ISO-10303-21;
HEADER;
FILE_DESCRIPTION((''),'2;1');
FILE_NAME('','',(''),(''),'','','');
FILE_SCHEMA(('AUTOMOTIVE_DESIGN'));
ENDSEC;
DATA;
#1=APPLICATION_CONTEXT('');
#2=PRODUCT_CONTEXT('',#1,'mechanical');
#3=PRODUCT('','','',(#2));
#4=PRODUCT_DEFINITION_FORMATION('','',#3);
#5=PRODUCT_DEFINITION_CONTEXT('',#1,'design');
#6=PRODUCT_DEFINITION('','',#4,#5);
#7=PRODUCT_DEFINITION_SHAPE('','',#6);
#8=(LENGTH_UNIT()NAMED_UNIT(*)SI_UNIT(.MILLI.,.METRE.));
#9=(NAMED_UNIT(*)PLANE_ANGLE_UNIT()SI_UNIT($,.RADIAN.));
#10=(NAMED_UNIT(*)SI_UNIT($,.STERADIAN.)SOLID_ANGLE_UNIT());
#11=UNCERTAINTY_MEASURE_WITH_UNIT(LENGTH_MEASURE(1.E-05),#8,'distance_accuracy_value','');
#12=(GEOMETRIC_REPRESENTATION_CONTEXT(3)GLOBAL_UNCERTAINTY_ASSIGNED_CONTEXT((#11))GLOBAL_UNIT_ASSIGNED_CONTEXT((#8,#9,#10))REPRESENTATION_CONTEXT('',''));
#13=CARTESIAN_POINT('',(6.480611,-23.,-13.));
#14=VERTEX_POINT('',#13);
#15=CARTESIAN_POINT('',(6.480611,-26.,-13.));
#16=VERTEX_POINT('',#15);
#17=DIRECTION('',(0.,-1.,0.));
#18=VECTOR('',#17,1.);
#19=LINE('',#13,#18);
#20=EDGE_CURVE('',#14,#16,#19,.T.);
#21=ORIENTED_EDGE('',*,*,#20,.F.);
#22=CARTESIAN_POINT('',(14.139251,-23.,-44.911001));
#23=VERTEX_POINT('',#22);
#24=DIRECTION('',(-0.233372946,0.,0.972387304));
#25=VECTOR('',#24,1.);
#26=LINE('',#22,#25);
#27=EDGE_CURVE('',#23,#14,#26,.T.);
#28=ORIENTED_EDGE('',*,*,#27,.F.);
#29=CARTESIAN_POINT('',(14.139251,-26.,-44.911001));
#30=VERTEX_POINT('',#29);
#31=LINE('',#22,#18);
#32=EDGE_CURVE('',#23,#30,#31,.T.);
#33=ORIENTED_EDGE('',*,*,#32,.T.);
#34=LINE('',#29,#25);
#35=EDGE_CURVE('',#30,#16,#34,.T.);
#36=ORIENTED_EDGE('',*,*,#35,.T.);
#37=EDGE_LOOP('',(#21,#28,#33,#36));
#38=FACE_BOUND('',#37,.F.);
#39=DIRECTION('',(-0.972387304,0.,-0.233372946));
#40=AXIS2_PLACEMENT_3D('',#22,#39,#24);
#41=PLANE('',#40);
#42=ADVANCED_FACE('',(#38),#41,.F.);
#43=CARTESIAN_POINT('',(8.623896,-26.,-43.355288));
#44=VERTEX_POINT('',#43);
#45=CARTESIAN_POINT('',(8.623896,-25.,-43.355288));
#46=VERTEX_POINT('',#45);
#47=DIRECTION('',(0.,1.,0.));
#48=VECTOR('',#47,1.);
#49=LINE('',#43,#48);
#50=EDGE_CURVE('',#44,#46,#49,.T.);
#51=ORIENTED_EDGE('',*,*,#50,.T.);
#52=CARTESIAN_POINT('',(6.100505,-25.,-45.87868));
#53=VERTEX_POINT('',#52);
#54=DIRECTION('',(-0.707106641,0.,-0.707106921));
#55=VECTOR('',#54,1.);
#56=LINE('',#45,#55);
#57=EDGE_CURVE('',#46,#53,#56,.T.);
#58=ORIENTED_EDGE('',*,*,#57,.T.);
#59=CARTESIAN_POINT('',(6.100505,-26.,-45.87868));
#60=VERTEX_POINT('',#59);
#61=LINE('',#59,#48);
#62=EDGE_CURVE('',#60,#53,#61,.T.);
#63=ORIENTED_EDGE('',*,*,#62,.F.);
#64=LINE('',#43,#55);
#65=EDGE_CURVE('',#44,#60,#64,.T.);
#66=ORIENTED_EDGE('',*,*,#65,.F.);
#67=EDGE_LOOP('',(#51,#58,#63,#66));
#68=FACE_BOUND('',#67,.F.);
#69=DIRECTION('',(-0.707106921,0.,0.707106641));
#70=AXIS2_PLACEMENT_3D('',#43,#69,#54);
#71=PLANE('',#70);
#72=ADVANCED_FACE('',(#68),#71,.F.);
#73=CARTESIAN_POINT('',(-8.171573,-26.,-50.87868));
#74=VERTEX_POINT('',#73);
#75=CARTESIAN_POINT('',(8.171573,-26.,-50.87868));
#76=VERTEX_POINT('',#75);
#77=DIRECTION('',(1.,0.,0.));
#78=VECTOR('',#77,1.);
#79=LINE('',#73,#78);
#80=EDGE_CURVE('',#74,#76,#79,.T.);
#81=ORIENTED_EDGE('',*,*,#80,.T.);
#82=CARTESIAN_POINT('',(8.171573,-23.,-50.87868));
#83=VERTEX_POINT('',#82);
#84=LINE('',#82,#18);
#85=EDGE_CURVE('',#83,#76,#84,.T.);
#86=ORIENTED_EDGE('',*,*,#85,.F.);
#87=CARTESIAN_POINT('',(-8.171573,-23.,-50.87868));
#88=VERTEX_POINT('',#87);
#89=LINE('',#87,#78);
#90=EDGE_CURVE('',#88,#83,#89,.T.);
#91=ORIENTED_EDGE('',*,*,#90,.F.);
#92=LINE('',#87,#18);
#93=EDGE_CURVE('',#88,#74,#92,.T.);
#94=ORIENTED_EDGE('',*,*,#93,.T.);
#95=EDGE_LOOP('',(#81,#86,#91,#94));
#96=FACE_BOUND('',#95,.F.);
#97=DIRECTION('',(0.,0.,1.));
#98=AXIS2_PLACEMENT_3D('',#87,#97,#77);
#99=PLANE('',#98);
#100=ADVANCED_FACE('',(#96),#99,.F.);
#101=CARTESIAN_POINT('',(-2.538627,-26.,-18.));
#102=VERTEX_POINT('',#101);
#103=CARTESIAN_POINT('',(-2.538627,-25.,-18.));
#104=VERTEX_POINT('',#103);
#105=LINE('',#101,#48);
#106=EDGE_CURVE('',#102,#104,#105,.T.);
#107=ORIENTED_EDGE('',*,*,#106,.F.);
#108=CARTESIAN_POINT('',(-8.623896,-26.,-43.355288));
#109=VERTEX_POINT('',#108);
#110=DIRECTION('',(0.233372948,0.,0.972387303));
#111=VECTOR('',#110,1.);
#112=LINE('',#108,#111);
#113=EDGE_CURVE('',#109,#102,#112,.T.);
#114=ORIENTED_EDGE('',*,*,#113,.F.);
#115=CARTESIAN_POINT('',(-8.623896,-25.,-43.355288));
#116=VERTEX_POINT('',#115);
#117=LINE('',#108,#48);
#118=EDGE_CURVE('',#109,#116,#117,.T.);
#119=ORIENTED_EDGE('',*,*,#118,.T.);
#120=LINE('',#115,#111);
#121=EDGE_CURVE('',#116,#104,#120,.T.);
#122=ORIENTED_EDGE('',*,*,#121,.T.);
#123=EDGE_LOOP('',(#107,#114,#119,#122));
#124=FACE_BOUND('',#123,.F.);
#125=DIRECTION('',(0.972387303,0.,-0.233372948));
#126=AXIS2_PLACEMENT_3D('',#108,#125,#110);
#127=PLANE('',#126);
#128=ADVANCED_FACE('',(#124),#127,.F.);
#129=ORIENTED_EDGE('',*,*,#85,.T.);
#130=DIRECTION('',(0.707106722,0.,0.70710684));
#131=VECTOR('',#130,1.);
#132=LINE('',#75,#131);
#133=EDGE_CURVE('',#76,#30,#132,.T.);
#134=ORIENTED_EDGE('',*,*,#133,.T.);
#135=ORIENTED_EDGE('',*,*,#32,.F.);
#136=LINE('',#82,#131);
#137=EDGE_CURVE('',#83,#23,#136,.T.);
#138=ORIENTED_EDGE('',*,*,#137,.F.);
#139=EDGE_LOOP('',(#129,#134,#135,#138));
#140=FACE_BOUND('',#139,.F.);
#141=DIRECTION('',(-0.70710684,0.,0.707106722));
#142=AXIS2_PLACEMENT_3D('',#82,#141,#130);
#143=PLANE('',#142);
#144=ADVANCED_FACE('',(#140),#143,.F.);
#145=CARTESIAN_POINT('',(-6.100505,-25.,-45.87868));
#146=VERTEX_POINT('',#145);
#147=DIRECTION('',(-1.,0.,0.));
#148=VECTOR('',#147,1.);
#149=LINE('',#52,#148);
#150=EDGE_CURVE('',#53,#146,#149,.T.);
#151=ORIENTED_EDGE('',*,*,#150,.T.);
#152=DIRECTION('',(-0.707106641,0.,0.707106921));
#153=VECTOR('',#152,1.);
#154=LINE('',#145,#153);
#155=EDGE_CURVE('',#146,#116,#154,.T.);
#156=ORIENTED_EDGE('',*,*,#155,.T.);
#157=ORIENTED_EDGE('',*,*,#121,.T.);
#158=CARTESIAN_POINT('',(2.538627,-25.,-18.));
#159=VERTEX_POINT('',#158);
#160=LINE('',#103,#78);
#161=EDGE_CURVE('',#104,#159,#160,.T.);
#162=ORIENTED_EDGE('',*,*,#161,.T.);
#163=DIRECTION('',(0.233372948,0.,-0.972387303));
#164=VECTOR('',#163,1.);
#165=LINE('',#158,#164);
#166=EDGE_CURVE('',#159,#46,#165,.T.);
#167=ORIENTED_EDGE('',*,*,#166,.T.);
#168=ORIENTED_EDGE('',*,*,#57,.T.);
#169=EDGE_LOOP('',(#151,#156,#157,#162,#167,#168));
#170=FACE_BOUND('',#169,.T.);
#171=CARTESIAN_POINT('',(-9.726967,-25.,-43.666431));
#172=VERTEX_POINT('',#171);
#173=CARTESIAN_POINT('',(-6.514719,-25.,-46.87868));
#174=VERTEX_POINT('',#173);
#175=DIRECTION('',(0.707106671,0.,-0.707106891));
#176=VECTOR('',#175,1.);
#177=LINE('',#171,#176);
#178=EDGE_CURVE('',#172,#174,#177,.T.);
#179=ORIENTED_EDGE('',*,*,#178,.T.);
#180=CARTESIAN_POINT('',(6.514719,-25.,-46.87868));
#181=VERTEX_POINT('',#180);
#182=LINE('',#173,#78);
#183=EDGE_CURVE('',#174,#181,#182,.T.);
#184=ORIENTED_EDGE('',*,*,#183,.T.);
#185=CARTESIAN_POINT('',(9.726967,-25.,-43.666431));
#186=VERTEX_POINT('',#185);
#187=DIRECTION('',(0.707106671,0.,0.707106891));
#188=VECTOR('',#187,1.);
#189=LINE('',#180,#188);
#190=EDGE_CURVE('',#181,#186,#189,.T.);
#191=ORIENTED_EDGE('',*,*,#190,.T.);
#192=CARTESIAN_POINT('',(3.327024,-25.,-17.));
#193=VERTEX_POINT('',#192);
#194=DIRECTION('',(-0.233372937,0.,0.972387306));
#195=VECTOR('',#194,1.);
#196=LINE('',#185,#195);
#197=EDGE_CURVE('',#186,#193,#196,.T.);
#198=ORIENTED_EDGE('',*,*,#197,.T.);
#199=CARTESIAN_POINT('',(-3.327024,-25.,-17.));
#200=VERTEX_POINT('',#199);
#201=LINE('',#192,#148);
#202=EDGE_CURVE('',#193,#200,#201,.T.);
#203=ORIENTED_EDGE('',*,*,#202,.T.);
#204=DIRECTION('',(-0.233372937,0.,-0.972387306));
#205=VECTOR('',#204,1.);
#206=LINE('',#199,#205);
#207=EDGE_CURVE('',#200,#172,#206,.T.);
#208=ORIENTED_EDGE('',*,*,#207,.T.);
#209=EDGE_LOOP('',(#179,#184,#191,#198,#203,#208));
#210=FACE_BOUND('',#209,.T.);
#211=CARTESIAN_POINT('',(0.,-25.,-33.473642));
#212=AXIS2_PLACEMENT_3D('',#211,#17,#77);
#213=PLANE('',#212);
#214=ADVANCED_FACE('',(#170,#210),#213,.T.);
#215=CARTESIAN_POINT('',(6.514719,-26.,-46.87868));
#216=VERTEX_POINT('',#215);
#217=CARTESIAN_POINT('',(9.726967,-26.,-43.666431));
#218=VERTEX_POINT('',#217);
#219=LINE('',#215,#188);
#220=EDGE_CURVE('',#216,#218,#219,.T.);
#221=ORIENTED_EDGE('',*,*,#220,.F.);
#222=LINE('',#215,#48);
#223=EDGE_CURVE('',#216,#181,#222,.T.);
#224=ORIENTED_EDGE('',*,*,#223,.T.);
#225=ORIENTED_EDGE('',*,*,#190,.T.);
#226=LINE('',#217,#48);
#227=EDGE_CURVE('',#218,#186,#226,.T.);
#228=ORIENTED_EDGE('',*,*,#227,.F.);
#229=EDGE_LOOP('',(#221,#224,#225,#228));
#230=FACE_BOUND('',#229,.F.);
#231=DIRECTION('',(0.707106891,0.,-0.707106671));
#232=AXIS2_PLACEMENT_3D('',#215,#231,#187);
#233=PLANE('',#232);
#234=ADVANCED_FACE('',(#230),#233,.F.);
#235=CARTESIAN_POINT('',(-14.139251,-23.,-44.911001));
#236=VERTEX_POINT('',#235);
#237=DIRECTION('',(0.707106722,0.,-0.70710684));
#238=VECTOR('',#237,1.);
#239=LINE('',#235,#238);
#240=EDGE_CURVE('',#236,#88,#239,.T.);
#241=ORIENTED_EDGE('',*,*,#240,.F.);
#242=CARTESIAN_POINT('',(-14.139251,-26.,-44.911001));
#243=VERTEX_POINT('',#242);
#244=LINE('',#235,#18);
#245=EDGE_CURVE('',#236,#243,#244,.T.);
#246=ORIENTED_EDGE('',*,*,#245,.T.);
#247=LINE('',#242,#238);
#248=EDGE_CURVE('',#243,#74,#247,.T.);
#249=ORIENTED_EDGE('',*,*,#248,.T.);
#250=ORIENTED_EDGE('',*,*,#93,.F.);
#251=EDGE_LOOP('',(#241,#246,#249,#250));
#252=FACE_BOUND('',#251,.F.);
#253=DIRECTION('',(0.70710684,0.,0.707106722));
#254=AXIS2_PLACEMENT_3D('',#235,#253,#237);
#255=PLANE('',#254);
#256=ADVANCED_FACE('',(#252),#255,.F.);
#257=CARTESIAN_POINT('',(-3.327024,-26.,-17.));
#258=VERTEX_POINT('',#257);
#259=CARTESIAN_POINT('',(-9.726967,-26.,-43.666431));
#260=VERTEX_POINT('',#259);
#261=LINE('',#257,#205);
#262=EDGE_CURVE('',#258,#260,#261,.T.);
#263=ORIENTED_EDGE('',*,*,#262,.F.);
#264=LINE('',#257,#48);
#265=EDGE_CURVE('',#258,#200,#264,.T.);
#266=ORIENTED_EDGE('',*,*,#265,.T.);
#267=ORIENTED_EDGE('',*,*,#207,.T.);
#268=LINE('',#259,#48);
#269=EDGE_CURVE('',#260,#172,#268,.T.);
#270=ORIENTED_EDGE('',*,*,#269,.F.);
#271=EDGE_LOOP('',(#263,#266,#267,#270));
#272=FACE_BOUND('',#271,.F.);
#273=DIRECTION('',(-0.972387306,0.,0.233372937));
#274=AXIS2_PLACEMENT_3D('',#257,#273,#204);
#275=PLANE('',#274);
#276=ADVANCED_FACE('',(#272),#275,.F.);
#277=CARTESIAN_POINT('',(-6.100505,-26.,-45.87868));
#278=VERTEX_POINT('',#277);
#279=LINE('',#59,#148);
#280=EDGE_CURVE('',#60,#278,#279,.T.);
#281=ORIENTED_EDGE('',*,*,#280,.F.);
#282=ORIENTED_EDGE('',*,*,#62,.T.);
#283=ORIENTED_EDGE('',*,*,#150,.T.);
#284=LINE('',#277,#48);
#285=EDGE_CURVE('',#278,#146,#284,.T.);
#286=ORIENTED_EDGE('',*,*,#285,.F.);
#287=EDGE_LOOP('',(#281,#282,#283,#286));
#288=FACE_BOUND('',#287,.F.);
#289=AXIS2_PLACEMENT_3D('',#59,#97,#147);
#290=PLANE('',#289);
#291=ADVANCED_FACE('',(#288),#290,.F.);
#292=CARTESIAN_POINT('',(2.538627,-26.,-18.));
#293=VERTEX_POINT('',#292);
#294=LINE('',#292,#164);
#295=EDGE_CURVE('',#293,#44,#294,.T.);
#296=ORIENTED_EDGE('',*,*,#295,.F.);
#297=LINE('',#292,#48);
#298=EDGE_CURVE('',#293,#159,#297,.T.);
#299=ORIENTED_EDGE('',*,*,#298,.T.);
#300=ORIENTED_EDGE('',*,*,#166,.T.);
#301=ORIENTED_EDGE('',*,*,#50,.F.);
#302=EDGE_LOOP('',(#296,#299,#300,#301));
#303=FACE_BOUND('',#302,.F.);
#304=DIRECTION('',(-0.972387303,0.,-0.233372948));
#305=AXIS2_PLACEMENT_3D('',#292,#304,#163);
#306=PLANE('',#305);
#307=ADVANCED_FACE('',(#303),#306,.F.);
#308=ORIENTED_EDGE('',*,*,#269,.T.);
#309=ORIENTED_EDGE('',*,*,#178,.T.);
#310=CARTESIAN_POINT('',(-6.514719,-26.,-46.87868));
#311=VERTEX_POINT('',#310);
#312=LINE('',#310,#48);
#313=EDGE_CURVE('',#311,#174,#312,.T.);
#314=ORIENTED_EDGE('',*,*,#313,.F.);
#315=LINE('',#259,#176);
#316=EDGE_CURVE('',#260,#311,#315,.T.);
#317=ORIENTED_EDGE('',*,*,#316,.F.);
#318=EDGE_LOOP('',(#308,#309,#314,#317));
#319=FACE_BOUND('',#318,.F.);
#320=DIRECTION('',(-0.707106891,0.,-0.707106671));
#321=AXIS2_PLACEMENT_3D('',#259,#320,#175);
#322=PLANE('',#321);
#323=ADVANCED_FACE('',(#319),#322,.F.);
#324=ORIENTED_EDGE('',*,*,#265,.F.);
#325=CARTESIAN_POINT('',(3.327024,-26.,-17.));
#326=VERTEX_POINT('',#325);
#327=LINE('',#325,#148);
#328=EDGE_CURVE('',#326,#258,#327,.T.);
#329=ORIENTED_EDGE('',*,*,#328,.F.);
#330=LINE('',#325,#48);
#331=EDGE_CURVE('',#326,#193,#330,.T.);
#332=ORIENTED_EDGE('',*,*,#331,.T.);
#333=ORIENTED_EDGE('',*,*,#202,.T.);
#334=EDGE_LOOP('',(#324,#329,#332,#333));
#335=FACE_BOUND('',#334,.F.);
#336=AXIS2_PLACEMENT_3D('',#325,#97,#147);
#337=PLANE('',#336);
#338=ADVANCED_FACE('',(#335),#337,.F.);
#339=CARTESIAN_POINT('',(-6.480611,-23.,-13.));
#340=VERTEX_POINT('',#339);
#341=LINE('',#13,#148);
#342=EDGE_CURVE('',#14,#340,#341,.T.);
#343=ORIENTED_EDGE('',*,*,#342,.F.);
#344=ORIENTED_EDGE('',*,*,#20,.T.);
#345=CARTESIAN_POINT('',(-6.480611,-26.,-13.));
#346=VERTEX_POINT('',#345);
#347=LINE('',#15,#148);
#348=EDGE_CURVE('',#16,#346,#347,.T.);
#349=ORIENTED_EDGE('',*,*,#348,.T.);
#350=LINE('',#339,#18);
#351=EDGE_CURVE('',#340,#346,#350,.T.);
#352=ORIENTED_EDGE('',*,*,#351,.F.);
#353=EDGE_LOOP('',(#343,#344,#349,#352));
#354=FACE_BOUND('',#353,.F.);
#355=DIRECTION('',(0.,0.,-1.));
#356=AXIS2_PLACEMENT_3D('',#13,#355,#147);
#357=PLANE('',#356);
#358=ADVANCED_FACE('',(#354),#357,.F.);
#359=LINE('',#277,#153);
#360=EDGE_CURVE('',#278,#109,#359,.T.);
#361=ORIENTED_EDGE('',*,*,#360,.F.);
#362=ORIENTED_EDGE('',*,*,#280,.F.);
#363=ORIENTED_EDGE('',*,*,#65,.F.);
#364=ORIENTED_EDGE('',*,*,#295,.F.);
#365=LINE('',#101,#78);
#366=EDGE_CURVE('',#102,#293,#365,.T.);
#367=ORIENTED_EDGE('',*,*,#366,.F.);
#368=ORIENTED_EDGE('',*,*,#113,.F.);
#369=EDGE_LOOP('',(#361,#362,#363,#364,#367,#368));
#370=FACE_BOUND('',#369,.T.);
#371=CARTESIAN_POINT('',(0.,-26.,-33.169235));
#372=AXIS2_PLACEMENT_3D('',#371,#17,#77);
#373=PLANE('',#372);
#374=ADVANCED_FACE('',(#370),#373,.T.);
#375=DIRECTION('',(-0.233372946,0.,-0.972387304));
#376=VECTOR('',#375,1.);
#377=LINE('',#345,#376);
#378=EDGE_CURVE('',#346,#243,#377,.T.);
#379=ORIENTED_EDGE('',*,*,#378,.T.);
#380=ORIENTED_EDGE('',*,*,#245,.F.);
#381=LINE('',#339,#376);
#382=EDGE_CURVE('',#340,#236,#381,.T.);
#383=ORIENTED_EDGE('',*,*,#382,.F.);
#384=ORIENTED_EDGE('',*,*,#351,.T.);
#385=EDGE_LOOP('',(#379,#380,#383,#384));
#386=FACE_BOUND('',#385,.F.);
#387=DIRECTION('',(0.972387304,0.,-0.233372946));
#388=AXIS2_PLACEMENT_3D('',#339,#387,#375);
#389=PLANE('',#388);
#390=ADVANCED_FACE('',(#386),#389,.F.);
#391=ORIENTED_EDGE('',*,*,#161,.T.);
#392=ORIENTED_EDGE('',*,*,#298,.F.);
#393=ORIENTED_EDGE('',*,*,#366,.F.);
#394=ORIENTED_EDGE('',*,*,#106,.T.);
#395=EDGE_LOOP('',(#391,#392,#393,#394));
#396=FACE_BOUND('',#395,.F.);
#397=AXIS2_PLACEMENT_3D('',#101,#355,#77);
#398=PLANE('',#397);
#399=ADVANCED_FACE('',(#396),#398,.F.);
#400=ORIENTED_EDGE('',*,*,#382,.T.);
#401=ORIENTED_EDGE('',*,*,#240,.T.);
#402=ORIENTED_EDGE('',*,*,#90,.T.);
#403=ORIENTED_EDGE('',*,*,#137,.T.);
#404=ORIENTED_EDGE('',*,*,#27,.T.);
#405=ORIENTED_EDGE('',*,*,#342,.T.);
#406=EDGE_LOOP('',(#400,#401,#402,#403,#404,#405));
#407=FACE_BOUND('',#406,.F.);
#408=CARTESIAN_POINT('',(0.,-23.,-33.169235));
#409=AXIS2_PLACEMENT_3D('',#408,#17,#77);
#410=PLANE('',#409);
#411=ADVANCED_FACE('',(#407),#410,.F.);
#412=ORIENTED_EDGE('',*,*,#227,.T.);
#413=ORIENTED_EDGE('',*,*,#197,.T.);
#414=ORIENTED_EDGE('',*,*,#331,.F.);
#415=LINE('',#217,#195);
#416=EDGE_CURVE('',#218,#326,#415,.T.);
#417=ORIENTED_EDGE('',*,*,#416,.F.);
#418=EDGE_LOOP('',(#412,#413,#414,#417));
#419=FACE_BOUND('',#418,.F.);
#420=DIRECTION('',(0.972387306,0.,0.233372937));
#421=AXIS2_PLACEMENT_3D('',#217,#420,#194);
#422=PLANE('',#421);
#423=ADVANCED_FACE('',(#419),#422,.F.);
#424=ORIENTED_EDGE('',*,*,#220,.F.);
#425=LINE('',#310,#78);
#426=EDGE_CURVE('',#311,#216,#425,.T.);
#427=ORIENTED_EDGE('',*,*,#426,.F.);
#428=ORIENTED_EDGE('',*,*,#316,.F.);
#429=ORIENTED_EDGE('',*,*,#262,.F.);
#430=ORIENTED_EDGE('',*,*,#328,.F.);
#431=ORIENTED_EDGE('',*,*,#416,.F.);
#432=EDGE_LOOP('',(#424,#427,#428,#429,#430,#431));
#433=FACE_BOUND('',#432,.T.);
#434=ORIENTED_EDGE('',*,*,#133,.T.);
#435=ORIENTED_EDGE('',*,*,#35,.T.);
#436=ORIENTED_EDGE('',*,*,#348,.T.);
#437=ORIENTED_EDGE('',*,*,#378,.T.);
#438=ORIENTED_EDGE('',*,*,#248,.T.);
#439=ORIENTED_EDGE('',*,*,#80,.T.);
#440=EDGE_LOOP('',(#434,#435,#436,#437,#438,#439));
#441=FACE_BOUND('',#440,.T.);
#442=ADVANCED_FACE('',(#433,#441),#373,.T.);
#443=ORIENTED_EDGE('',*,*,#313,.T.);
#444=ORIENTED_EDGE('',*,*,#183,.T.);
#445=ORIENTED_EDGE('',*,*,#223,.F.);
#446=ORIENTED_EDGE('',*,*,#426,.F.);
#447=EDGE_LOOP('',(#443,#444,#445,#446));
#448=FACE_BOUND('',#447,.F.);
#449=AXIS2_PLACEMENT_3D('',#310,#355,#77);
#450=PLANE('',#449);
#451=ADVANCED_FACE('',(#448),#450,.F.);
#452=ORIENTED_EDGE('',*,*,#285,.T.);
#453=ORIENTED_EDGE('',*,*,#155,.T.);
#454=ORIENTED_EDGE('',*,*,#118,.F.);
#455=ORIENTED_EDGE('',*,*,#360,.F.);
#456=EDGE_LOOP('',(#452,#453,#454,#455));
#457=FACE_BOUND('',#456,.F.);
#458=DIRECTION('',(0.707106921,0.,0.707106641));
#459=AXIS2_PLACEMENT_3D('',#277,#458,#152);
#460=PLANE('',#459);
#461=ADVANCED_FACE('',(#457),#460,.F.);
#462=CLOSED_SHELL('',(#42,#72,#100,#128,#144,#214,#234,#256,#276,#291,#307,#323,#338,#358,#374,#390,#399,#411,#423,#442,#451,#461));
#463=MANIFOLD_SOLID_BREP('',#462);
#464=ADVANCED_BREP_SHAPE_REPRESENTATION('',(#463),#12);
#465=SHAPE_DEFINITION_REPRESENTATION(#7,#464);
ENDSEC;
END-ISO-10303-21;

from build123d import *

# Parameters (mm, degrees)
F2_DEPTH = 3
F4_DEPTH = 1


with BuildPart() as f2:
    # F1 (on offset) → F2 (new body)
    with BuildSketch(Plane.XZ.offset(23)):
        Polygon((-6.480611, -13), (-14.139251, -44.911001), (-8.171573, -50.87868), (8.171573, -50.87868), (14.139251, -44.911001), (6.480611, -13), align=None)
    extrude(amount=F2_DEPTH)

    # F3 (on face) → F4 (cut)
    with BuildSketch(Plane.XZ.offset(26)):
        Polygon((9.726967, -43.666431), (3.327024, -17), (-3.327024, -17), (-9.726967, -43.666431), (-6.514719, -46.87868), (6.514719, -46.87868), align=None)
        Polygon((-2.538627, -18), (2.538627, -18), (8.623896, -43.355288), (6.100505, -45.87868), (-6.100505, -45.87868), (-8.623896, -43.355288), align=None, mode=Mode.SUBTRACT)
    extrude(amount=-F4_DEPTH, mode=Mode.SUBTRACT)


solid = f2.part
